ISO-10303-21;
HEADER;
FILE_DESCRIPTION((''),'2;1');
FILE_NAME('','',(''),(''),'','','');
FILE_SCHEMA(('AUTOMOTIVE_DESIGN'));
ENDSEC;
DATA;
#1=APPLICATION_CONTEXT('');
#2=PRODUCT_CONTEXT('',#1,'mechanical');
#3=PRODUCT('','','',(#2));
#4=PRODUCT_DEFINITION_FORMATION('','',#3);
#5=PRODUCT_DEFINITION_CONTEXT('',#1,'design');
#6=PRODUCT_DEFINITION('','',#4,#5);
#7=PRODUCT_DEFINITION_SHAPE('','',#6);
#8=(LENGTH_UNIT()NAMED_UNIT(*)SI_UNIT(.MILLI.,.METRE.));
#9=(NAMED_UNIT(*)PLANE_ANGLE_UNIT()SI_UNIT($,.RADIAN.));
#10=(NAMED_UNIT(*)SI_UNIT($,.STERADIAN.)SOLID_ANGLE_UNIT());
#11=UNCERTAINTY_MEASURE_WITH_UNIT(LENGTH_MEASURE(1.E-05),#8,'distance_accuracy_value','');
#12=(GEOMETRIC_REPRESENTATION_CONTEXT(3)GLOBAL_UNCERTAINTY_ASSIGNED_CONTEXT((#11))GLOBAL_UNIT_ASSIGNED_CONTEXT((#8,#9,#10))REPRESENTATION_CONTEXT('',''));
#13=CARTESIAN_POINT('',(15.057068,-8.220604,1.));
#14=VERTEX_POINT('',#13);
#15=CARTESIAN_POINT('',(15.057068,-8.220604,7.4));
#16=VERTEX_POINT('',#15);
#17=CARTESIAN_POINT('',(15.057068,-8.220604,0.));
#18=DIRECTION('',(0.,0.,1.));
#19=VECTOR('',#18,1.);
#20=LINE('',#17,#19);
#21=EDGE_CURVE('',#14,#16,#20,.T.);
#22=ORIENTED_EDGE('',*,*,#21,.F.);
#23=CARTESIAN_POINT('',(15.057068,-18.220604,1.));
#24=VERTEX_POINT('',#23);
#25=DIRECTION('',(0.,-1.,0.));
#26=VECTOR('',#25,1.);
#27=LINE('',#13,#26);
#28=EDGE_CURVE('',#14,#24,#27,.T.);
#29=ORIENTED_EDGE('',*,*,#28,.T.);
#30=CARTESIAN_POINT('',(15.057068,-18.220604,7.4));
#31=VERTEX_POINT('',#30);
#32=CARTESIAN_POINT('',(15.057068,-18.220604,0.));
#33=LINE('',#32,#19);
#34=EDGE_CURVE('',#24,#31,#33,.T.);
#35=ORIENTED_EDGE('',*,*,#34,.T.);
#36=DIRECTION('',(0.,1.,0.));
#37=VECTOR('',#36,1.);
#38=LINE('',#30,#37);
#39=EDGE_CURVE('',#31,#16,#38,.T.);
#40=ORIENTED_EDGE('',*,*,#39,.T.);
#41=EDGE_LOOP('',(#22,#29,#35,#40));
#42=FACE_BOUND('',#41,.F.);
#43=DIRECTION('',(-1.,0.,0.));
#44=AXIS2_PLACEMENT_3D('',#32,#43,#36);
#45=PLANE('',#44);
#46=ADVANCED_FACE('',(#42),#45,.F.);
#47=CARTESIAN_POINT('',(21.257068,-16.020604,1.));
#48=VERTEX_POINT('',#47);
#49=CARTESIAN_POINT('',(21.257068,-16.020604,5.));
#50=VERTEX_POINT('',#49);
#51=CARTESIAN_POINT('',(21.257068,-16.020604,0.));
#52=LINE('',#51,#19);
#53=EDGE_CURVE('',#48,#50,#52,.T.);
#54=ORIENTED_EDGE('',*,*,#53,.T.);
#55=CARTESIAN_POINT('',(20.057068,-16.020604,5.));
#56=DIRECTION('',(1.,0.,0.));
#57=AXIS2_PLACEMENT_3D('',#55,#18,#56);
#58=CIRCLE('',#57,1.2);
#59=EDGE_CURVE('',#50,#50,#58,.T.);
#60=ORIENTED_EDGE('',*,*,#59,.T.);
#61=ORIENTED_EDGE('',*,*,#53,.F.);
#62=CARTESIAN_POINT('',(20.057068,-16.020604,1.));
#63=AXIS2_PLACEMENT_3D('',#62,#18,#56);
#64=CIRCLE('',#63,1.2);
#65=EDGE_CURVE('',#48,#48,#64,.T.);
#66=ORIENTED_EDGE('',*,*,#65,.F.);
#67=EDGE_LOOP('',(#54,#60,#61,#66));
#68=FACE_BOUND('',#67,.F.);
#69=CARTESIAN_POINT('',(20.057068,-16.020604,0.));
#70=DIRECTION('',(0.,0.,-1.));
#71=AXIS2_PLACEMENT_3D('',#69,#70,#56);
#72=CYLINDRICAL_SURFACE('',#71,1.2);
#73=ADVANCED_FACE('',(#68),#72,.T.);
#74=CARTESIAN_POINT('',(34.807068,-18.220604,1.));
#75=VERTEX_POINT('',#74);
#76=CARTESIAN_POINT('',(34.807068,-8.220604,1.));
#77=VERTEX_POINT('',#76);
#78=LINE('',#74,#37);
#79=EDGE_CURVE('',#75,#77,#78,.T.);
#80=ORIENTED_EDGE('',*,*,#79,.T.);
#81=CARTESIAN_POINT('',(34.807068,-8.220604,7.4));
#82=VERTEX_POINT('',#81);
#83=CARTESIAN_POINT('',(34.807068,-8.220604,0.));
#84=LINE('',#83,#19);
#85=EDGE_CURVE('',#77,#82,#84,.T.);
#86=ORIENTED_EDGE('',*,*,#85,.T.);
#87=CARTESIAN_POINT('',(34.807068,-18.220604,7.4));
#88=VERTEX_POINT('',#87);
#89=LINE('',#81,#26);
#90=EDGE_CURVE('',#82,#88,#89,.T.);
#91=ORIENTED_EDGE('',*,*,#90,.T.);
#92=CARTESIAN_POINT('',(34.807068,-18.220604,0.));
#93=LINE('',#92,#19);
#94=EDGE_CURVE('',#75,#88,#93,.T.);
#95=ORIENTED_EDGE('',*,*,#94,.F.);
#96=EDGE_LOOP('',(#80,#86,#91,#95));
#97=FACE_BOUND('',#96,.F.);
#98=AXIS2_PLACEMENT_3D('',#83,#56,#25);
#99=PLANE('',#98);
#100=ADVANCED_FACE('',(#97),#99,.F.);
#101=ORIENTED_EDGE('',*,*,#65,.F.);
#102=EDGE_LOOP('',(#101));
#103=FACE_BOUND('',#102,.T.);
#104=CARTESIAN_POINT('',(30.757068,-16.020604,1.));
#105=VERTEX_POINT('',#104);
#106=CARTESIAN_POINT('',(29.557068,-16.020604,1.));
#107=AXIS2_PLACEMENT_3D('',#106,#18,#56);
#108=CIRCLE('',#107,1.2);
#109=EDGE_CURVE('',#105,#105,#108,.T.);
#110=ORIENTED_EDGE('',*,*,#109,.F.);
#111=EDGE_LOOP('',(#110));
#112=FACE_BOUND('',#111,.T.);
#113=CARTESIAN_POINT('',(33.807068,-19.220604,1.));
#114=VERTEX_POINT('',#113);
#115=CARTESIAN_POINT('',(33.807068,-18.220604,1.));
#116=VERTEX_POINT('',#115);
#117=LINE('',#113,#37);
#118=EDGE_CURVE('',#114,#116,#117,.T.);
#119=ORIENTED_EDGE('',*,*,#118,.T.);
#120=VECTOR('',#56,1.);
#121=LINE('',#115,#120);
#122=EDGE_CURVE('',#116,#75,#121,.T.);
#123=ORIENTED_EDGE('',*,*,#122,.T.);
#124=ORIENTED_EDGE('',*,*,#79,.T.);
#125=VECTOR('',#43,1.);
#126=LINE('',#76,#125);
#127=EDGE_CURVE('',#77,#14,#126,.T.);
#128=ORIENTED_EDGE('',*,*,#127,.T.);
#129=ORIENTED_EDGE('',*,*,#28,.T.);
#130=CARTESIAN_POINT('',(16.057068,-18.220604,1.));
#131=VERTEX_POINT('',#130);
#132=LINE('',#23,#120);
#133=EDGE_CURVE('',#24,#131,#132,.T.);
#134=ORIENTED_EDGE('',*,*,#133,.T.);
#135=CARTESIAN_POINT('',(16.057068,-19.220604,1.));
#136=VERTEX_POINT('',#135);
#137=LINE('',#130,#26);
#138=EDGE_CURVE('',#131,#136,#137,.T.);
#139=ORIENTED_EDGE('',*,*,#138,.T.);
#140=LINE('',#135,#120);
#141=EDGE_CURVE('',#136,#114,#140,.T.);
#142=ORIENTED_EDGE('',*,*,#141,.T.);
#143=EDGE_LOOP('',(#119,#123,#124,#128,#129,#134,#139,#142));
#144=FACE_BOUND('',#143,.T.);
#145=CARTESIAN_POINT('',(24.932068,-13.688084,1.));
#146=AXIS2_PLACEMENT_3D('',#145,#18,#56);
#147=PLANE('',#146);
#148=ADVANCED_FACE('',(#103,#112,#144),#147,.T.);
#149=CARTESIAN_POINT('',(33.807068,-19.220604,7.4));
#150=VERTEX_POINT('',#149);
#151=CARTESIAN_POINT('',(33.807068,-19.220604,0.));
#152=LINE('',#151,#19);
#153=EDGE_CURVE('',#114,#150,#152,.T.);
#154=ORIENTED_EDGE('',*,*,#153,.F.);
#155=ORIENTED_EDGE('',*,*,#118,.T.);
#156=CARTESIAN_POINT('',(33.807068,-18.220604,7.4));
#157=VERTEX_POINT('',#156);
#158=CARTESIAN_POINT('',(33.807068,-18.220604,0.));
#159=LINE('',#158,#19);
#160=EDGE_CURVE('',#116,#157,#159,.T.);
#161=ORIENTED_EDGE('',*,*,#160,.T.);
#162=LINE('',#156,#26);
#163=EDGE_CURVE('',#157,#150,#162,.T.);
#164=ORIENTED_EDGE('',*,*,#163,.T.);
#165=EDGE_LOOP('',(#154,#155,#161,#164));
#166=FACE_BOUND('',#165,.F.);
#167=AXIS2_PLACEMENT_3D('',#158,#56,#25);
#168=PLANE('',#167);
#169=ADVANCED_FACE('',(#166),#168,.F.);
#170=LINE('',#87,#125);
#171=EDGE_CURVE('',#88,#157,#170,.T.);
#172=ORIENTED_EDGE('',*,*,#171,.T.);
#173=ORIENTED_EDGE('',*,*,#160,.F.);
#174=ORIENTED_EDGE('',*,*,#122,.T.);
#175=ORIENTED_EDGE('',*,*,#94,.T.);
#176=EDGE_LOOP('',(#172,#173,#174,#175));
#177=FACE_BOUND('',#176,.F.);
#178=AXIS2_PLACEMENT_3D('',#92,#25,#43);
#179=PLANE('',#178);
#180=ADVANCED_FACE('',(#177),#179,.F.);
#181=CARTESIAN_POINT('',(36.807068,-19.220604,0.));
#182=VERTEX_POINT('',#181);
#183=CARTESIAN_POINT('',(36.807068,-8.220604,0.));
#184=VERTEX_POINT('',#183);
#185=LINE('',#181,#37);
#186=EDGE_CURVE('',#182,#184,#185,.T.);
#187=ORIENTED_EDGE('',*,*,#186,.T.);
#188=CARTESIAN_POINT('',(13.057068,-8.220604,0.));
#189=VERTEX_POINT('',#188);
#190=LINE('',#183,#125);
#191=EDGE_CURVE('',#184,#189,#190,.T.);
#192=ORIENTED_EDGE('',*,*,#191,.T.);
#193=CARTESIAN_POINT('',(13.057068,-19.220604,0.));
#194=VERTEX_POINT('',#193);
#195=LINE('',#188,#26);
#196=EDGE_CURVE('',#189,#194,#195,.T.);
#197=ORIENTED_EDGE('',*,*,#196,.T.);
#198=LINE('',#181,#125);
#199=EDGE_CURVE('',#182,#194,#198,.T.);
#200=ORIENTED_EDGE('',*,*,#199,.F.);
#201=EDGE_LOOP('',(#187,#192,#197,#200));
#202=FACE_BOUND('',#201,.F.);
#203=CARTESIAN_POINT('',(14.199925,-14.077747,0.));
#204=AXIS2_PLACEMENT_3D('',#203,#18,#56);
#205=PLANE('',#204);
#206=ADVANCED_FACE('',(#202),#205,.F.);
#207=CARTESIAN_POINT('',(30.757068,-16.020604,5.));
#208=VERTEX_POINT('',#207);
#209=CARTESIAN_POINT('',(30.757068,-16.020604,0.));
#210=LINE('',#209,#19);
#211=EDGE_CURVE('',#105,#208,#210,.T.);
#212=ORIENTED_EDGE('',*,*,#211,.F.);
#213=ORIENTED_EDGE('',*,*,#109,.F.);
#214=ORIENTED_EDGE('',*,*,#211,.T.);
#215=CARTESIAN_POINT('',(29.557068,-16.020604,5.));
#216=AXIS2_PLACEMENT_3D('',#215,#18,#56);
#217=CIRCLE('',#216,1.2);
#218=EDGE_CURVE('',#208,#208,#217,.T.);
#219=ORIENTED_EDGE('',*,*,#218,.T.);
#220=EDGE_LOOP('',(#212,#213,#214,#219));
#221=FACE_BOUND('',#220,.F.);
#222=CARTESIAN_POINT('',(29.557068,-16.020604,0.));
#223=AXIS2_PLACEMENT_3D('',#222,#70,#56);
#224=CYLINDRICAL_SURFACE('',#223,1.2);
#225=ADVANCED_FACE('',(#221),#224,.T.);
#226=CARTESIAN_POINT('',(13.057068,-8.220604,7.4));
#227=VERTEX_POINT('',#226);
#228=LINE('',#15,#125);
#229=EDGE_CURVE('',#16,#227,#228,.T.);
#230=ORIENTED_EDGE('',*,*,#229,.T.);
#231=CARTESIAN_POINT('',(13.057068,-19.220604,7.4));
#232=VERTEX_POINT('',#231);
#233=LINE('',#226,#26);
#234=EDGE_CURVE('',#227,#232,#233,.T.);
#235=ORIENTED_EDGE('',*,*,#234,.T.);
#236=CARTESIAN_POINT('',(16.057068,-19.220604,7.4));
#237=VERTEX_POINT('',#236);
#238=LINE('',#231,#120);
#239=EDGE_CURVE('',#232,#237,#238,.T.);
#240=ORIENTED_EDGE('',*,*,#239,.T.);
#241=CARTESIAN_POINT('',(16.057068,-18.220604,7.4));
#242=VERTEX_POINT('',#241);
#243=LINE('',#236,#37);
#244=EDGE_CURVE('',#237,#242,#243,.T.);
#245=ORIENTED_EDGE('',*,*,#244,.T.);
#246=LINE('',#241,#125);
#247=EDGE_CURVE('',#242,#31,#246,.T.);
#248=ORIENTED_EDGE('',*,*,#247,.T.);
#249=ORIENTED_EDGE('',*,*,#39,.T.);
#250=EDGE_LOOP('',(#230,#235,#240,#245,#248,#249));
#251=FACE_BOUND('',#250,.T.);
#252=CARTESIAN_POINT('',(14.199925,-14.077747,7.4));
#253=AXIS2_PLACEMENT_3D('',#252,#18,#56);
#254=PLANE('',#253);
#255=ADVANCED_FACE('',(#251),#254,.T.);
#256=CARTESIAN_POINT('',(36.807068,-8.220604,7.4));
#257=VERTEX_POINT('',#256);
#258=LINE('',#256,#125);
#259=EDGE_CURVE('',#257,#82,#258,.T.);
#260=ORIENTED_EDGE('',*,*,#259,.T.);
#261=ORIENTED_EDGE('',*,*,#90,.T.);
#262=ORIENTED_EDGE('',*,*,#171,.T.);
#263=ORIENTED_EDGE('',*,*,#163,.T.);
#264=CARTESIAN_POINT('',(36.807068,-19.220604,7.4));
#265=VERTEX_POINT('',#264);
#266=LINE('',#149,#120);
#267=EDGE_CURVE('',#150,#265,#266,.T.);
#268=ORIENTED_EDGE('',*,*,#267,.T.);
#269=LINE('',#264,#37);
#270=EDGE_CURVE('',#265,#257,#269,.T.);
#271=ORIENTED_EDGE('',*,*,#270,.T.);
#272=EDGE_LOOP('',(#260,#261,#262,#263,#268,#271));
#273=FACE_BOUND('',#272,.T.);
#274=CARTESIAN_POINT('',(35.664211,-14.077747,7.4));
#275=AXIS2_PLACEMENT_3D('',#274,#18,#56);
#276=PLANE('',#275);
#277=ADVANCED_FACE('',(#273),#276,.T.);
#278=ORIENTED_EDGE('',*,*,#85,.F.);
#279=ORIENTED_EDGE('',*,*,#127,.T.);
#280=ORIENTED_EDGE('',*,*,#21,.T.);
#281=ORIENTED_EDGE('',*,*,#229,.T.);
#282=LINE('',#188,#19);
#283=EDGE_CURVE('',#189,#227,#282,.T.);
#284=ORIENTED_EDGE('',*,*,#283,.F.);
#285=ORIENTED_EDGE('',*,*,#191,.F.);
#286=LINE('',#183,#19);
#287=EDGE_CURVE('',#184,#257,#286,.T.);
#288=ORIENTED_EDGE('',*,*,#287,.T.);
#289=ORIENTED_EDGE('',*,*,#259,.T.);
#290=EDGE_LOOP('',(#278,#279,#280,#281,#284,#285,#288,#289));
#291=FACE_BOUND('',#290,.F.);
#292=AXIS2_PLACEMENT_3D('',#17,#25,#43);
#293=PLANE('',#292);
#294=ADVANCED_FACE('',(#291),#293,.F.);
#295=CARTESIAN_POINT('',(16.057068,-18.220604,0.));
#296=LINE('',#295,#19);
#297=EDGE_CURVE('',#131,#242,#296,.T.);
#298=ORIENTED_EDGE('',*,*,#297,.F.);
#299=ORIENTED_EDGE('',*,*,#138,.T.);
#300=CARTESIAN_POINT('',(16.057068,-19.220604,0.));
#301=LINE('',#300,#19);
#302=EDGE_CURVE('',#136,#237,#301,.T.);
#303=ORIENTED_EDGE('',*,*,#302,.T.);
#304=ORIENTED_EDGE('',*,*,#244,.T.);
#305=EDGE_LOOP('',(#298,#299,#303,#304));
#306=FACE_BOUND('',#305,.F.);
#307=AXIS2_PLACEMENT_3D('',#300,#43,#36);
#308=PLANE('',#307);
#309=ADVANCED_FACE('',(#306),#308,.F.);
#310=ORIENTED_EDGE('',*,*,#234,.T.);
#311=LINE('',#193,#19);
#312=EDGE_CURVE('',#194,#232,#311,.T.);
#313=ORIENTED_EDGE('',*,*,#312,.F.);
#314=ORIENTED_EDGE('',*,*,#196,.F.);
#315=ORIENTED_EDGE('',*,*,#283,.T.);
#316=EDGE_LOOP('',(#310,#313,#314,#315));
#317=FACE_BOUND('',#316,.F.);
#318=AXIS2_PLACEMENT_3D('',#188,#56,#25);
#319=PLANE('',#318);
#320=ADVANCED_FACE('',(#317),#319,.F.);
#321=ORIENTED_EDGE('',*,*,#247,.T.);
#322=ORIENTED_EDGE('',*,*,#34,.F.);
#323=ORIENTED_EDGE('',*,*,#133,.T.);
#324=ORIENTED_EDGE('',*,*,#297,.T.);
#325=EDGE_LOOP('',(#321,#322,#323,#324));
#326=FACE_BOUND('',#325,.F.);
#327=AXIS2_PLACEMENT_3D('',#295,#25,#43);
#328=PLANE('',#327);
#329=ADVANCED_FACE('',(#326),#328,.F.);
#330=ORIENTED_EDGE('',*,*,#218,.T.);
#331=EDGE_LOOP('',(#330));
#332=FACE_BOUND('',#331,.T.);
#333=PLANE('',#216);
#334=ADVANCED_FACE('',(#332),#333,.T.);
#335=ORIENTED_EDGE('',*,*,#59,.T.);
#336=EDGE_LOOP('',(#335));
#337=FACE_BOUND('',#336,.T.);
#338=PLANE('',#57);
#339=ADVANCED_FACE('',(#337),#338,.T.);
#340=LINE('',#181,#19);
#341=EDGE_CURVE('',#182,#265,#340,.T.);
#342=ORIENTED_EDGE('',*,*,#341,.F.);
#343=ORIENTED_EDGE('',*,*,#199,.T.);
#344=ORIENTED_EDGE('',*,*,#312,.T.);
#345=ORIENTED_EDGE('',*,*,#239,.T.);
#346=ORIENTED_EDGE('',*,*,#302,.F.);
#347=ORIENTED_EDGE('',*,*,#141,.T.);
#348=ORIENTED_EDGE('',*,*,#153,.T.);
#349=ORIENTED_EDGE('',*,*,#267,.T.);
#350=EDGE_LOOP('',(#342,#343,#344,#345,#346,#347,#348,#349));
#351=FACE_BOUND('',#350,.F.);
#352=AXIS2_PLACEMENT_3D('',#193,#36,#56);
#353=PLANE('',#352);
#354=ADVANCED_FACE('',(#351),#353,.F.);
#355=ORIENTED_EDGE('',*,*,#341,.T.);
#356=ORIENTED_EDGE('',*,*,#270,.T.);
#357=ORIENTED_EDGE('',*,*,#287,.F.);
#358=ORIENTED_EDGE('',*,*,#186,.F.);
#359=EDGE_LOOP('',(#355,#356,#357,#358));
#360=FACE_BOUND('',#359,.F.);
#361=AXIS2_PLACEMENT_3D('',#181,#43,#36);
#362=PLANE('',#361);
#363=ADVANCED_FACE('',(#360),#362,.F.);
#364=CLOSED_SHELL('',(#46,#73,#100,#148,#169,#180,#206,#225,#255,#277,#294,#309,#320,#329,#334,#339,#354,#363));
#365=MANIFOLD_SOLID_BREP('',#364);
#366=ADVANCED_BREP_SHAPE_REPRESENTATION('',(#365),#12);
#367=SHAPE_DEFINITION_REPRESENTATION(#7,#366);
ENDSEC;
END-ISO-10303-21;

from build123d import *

# Parameters (mm, degrees)
F0_R     = 1.2
F1_DEPTH = 1
F2_DEPTH = 7.4
F3_DEPTH = 5


with BuildPart() as f1:
    # F0 (on Top) → F1 (new body)
    with BuildSketch(Plane.XY):
        Polygon((34.807068, -8.220604), (15.057068, -8.220604), (15.057068, -18.220604), (16.057068, -18.220604), (16.057068, -19.220604), (33.807068, -19.220604), (33.807068, -18.220604), (34.807068, -18.220604), align=None)
        with Locations((20.057068, -16.020604)):
            Circle(F0_R, mode=Mode.SUBTRACT)
        with Locations((29.557068, -16.020604)):
            Circle(F0_R, mode=Mode.SUBTRACT)
    extrude(amount=F1_DEPTH)

    # F0 (on Top) → F2 (join)
    with BuildSketch(Plane.XY):
        Polygon((15.057068, -8.220604), (13.057068, -8.220604), (13.057068, -19.220604), (16.057068, -19.220604), (16.057068, -18.220604), (15.057068, -18.220604), align=None)
        Polygon((36.807068, -8.220604), (34.807068, -8.220604), (34.807068, -18.220604), (33.807068, -18.220604), (33.807068, -19.220604), (36.807068, -19.220604), align=None)
    extrude(amount=F2_DEPTH)

    # F0 (on Top) → F3 (join)
    with BuildSketch(Plane.XY):
        with Locations((20.057068, -16.020604)):
            Circle(F0_R)
        with Locations((29.557068, -16.020604)):
            Circle(F0_R)
    extrude(amount=F3_DEPTH)


solid = f1.part
